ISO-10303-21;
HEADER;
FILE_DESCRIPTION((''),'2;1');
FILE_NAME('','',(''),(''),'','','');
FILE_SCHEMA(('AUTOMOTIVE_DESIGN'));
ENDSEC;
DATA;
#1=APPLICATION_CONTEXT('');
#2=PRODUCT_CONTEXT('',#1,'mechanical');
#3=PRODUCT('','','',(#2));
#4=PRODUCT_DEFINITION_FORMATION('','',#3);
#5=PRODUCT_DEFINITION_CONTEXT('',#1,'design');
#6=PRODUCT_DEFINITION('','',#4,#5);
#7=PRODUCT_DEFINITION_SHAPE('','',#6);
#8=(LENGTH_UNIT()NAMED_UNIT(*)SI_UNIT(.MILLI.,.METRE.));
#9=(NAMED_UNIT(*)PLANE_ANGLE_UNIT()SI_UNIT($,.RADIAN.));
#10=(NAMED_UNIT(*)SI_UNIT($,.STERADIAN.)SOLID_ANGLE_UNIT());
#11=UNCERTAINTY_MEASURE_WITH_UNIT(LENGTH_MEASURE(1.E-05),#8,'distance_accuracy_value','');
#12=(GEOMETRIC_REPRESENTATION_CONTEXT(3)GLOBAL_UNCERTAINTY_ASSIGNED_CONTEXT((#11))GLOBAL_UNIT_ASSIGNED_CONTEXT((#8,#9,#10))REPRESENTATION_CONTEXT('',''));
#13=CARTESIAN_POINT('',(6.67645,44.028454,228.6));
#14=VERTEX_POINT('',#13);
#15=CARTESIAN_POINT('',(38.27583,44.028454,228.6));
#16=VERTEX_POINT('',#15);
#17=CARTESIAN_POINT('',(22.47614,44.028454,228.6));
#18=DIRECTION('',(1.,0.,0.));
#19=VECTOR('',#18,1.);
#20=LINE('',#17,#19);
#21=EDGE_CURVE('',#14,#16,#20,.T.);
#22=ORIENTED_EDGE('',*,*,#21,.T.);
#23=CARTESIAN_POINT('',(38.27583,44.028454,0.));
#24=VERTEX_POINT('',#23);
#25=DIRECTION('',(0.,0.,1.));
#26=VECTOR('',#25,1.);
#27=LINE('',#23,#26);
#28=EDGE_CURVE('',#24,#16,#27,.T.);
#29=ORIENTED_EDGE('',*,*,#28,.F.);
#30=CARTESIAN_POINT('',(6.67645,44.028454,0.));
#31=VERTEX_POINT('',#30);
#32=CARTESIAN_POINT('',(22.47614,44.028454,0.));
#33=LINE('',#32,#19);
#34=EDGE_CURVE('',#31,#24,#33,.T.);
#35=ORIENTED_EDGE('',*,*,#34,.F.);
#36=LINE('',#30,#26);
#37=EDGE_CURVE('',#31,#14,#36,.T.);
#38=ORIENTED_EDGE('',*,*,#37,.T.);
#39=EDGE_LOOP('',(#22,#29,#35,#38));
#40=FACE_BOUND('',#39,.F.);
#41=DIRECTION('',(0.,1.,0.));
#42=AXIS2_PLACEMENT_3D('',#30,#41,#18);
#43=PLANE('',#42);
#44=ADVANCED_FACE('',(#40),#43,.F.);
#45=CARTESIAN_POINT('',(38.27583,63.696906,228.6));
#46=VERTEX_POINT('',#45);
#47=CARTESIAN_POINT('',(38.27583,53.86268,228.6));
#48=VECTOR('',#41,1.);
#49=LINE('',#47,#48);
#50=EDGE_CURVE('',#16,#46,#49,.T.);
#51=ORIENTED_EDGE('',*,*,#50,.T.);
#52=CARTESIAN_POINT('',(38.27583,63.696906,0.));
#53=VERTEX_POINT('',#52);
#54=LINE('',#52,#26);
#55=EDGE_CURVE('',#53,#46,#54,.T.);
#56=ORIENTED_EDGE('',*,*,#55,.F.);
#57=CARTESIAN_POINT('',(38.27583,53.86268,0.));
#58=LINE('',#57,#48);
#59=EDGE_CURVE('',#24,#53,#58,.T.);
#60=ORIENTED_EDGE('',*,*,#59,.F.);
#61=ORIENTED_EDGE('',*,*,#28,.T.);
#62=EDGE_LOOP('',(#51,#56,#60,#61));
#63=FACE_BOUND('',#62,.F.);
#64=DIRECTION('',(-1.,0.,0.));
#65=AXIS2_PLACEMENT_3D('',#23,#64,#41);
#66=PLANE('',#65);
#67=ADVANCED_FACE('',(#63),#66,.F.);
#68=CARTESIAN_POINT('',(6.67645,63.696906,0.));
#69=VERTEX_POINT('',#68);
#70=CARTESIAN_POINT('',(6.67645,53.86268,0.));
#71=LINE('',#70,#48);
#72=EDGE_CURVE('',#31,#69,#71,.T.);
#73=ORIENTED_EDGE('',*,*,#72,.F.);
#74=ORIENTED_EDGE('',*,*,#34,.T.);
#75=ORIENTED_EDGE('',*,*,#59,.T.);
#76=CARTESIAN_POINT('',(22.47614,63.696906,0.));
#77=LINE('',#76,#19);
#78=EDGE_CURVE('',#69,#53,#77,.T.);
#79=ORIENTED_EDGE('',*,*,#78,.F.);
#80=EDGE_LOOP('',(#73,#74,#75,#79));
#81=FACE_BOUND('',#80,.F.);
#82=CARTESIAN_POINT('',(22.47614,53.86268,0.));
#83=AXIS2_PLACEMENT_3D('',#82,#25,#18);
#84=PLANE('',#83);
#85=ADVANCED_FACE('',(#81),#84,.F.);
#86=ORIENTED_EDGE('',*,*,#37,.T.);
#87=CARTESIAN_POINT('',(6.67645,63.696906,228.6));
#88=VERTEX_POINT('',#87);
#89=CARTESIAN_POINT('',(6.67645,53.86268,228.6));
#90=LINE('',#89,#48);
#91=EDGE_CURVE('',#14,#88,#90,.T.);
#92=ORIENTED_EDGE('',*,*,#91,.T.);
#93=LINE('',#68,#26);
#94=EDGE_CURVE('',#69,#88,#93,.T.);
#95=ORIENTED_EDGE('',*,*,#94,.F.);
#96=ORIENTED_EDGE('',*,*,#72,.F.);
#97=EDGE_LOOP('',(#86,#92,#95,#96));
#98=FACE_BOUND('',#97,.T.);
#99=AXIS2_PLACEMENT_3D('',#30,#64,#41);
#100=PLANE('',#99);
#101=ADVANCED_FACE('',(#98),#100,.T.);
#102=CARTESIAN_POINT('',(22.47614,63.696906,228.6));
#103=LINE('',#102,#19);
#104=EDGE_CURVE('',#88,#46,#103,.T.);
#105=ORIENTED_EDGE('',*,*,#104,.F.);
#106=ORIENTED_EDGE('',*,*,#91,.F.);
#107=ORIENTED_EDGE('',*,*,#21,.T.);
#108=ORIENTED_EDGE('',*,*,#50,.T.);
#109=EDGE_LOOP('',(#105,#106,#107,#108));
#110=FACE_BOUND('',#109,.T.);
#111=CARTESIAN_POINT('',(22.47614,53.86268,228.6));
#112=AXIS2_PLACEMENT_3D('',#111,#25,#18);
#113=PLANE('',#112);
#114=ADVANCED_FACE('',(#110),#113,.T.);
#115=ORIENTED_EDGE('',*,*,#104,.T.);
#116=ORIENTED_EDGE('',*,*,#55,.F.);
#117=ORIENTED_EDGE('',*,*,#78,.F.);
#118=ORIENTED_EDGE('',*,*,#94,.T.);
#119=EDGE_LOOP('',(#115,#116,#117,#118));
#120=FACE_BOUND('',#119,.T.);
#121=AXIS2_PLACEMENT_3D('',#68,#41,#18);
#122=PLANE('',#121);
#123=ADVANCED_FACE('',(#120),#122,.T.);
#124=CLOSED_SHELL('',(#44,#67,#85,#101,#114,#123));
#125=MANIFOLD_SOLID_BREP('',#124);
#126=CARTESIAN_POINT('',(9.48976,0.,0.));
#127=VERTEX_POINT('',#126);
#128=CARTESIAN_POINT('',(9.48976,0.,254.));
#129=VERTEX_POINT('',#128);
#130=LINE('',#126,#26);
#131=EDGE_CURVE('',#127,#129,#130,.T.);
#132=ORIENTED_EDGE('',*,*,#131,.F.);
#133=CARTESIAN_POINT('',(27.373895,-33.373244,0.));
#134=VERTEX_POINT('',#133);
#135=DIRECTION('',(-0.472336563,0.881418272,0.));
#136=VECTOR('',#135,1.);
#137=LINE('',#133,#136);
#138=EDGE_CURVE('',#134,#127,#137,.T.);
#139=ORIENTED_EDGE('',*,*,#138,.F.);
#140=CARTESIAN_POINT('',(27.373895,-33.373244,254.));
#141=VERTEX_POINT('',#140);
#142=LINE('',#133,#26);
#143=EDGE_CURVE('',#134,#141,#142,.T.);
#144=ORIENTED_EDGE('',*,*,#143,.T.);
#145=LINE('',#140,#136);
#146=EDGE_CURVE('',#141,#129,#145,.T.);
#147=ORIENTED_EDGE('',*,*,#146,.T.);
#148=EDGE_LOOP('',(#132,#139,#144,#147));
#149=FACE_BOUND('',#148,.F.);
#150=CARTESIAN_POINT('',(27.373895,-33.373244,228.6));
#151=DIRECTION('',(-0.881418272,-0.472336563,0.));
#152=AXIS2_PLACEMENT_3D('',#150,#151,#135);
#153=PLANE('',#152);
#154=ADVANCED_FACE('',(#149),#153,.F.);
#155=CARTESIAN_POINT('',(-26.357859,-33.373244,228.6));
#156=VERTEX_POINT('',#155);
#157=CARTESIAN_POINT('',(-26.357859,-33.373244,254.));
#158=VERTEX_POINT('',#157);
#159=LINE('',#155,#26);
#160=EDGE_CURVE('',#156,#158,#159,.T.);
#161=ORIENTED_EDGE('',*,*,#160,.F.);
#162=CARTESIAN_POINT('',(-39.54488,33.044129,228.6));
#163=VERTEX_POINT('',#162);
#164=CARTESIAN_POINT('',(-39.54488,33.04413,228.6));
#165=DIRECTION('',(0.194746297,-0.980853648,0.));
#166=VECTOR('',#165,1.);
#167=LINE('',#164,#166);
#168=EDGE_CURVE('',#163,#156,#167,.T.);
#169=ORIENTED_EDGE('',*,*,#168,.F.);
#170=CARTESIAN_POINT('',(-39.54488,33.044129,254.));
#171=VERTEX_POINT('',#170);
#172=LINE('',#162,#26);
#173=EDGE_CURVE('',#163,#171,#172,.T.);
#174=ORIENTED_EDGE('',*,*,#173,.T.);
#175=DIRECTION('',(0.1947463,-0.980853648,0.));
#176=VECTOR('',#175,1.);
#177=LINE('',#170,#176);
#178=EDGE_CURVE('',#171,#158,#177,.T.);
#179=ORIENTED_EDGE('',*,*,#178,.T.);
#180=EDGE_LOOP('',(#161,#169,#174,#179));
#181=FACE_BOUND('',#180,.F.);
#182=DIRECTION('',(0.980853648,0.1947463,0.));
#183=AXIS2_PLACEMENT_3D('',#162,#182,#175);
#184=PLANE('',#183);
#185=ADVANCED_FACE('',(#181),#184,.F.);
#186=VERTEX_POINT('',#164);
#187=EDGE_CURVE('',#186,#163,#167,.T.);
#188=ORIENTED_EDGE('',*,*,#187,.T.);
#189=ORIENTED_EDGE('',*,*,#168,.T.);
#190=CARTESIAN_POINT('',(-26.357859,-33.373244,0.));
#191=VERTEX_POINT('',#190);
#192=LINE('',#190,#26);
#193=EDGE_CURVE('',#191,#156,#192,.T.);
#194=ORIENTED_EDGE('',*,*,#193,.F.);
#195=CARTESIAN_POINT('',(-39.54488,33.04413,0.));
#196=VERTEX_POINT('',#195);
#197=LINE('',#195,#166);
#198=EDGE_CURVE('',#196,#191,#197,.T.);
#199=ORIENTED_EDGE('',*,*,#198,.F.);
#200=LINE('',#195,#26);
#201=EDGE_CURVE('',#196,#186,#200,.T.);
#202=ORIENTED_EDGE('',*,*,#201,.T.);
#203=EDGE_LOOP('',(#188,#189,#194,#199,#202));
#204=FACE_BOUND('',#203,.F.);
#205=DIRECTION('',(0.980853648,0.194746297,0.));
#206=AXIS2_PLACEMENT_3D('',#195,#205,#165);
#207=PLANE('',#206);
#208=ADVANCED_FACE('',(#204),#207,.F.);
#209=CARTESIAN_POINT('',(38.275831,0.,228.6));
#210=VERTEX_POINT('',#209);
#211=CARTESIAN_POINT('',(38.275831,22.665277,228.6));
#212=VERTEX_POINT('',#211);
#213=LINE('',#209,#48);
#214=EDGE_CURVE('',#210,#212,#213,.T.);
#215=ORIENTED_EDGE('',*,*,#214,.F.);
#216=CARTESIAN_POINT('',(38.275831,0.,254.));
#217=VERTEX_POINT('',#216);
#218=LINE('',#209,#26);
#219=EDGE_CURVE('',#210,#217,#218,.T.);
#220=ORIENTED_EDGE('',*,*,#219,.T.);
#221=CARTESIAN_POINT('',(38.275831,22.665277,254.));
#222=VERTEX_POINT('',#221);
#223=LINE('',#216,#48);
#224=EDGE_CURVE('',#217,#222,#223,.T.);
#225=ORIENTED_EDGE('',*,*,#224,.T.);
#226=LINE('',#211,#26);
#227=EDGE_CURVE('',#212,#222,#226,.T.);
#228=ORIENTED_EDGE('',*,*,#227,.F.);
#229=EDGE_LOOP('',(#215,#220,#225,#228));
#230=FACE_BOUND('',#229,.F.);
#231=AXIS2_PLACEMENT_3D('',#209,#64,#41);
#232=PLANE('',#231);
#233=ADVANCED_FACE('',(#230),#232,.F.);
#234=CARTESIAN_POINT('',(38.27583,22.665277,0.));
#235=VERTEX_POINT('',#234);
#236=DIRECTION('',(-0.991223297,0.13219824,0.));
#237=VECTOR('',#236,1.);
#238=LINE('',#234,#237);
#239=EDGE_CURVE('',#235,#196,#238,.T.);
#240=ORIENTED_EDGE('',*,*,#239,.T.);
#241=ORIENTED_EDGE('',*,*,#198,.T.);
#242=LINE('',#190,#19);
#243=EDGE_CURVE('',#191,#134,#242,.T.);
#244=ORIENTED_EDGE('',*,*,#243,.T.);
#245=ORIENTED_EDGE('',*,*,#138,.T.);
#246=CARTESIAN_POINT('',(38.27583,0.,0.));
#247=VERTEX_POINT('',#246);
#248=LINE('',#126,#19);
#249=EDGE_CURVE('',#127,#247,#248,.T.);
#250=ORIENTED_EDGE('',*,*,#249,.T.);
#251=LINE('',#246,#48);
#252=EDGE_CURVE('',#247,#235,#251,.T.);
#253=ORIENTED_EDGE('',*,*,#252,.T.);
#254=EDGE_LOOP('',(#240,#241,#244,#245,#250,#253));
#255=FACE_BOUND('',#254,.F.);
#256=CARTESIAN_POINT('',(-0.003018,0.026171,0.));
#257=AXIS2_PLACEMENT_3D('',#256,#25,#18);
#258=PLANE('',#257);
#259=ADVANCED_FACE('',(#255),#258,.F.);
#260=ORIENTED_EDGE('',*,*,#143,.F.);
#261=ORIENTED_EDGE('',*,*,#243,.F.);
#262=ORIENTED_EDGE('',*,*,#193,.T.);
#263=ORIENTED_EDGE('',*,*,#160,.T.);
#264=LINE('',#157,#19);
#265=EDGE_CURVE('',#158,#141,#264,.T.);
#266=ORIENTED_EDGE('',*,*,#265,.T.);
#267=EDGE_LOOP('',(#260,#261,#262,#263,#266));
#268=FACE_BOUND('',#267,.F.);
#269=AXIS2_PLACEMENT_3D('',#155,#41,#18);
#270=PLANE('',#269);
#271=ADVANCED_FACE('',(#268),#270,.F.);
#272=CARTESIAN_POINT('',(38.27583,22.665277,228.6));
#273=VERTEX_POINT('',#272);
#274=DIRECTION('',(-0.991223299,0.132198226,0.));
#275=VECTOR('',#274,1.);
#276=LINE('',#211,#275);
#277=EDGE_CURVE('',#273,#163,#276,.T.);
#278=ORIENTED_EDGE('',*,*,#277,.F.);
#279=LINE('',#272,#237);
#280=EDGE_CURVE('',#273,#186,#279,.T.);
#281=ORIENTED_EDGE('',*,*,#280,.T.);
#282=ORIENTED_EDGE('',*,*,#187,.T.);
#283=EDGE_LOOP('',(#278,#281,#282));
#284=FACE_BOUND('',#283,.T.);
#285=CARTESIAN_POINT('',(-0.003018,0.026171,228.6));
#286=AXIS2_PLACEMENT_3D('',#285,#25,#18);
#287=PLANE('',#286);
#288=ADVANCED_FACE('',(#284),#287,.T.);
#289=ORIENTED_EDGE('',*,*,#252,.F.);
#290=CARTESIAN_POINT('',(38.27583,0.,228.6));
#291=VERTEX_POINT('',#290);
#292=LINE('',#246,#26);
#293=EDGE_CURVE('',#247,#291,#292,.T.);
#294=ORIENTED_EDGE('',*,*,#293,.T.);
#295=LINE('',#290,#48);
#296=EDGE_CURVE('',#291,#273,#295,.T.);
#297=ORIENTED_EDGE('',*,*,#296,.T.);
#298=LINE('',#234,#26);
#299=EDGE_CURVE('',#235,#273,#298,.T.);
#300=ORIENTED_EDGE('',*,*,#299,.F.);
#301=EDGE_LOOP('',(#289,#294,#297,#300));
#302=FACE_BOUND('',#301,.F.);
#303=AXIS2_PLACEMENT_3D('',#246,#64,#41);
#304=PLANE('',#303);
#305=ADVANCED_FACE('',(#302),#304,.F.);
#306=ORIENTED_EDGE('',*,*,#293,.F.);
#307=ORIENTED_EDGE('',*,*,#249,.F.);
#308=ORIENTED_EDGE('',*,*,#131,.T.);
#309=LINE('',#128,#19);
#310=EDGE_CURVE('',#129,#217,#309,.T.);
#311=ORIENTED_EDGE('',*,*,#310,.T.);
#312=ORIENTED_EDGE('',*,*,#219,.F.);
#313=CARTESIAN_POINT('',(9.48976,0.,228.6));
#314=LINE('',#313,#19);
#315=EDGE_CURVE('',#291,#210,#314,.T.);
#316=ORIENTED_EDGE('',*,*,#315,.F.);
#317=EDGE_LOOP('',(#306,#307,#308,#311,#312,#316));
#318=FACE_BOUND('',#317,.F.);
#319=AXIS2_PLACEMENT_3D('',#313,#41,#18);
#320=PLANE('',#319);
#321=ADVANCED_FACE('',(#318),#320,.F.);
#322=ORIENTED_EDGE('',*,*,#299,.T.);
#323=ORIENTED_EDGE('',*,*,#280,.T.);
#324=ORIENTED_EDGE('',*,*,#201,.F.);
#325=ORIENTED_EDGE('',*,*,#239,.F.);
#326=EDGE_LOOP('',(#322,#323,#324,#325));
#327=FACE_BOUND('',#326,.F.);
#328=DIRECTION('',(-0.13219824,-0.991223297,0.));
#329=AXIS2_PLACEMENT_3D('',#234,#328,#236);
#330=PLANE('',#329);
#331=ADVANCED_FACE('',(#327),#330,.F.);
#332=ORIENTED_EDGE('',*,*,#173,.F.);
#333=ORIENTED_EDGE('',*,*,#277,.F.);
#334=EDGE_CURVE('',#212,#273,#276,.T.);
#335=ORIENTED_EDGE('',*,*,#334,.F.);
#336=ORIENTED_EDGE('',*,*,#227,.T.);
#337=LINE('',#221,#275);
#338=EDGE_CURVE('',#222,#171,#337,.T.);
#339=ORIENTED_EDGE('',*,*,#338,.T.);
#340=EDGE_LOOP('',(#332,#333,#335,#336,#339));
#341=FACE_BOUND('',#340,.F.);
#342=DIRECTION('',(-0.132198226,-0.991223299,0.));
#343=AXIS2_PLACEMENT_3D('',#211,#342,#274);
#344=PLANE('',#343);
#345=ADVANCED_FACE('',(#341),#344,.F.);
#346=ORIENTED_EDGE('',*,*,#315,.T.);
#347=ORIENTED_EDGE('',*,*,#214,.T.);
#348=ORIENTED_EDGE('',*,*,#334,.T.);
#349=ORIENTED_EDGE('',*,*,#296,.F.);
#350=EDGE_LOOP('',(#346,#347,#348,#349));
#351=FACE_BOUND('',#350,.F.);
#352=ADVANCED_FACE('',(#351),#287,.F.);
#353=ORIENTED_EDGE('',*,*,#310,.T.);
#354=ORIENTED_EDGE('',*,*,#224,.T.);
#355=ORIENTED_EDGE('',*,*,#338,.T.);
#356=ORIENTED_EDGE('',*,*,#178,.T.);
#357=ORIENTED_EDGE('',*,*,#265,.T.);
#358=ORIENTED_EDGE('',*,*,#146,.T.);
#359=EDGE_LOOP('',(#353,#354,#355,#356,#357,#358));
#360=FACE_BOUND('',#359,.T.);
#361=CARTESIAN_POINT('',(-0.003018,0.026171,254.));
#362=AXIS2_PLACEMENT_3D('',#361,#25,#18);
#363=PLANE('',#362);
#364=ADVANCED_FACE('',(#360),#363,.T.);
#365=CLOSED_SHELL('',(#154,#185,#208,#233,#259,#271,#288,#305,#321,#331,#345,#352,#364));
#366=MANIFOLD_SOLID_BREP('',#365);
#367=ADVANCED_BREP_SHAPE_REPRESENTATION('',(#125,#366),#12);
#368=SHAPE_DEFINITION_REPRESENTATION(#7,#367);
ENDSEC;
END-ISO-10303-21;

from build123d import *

# Parameters (mm, degrees)
F0_W     = 31.59938
F0_H     = 19.668452
F1_DEPTH = 228.6
F2_DEPTH = 25.4


with BuildPart() as f1:
    # F0 (on Top) → F1 (new body)
    with BuildSketch(Plane.XY):
        Polygon((-26.357859, -33.373244), (27.373895, -33.373244), (9.48976, 0), (38.27583, 0), (38.27583, 22.665277), (-39.54488, 33.04413), align=None)
        with Locations((22.47614, 53.86268)):
            Rectangle(F0_W, F0_H)
    extrude(amount=F1_DEPTH)

    # F1_face (on face) → F2 (join)
    with BuildSketch(Plane(origin=(-3.056646, 0.412744, 228.6), x_dir=(1, 0, 0), z_dir=(0, 0, 1))):
        Polygon((-23.301213, -33.785988), (30.430541, -33.785988), (12.546406, -0.412744), (41.332477, -0.412744), (41.332477, 22.252533), (-36.488234, 32.631385), align=None)
    extrude(amount=F2_DEPTH)


solid = f1.part
